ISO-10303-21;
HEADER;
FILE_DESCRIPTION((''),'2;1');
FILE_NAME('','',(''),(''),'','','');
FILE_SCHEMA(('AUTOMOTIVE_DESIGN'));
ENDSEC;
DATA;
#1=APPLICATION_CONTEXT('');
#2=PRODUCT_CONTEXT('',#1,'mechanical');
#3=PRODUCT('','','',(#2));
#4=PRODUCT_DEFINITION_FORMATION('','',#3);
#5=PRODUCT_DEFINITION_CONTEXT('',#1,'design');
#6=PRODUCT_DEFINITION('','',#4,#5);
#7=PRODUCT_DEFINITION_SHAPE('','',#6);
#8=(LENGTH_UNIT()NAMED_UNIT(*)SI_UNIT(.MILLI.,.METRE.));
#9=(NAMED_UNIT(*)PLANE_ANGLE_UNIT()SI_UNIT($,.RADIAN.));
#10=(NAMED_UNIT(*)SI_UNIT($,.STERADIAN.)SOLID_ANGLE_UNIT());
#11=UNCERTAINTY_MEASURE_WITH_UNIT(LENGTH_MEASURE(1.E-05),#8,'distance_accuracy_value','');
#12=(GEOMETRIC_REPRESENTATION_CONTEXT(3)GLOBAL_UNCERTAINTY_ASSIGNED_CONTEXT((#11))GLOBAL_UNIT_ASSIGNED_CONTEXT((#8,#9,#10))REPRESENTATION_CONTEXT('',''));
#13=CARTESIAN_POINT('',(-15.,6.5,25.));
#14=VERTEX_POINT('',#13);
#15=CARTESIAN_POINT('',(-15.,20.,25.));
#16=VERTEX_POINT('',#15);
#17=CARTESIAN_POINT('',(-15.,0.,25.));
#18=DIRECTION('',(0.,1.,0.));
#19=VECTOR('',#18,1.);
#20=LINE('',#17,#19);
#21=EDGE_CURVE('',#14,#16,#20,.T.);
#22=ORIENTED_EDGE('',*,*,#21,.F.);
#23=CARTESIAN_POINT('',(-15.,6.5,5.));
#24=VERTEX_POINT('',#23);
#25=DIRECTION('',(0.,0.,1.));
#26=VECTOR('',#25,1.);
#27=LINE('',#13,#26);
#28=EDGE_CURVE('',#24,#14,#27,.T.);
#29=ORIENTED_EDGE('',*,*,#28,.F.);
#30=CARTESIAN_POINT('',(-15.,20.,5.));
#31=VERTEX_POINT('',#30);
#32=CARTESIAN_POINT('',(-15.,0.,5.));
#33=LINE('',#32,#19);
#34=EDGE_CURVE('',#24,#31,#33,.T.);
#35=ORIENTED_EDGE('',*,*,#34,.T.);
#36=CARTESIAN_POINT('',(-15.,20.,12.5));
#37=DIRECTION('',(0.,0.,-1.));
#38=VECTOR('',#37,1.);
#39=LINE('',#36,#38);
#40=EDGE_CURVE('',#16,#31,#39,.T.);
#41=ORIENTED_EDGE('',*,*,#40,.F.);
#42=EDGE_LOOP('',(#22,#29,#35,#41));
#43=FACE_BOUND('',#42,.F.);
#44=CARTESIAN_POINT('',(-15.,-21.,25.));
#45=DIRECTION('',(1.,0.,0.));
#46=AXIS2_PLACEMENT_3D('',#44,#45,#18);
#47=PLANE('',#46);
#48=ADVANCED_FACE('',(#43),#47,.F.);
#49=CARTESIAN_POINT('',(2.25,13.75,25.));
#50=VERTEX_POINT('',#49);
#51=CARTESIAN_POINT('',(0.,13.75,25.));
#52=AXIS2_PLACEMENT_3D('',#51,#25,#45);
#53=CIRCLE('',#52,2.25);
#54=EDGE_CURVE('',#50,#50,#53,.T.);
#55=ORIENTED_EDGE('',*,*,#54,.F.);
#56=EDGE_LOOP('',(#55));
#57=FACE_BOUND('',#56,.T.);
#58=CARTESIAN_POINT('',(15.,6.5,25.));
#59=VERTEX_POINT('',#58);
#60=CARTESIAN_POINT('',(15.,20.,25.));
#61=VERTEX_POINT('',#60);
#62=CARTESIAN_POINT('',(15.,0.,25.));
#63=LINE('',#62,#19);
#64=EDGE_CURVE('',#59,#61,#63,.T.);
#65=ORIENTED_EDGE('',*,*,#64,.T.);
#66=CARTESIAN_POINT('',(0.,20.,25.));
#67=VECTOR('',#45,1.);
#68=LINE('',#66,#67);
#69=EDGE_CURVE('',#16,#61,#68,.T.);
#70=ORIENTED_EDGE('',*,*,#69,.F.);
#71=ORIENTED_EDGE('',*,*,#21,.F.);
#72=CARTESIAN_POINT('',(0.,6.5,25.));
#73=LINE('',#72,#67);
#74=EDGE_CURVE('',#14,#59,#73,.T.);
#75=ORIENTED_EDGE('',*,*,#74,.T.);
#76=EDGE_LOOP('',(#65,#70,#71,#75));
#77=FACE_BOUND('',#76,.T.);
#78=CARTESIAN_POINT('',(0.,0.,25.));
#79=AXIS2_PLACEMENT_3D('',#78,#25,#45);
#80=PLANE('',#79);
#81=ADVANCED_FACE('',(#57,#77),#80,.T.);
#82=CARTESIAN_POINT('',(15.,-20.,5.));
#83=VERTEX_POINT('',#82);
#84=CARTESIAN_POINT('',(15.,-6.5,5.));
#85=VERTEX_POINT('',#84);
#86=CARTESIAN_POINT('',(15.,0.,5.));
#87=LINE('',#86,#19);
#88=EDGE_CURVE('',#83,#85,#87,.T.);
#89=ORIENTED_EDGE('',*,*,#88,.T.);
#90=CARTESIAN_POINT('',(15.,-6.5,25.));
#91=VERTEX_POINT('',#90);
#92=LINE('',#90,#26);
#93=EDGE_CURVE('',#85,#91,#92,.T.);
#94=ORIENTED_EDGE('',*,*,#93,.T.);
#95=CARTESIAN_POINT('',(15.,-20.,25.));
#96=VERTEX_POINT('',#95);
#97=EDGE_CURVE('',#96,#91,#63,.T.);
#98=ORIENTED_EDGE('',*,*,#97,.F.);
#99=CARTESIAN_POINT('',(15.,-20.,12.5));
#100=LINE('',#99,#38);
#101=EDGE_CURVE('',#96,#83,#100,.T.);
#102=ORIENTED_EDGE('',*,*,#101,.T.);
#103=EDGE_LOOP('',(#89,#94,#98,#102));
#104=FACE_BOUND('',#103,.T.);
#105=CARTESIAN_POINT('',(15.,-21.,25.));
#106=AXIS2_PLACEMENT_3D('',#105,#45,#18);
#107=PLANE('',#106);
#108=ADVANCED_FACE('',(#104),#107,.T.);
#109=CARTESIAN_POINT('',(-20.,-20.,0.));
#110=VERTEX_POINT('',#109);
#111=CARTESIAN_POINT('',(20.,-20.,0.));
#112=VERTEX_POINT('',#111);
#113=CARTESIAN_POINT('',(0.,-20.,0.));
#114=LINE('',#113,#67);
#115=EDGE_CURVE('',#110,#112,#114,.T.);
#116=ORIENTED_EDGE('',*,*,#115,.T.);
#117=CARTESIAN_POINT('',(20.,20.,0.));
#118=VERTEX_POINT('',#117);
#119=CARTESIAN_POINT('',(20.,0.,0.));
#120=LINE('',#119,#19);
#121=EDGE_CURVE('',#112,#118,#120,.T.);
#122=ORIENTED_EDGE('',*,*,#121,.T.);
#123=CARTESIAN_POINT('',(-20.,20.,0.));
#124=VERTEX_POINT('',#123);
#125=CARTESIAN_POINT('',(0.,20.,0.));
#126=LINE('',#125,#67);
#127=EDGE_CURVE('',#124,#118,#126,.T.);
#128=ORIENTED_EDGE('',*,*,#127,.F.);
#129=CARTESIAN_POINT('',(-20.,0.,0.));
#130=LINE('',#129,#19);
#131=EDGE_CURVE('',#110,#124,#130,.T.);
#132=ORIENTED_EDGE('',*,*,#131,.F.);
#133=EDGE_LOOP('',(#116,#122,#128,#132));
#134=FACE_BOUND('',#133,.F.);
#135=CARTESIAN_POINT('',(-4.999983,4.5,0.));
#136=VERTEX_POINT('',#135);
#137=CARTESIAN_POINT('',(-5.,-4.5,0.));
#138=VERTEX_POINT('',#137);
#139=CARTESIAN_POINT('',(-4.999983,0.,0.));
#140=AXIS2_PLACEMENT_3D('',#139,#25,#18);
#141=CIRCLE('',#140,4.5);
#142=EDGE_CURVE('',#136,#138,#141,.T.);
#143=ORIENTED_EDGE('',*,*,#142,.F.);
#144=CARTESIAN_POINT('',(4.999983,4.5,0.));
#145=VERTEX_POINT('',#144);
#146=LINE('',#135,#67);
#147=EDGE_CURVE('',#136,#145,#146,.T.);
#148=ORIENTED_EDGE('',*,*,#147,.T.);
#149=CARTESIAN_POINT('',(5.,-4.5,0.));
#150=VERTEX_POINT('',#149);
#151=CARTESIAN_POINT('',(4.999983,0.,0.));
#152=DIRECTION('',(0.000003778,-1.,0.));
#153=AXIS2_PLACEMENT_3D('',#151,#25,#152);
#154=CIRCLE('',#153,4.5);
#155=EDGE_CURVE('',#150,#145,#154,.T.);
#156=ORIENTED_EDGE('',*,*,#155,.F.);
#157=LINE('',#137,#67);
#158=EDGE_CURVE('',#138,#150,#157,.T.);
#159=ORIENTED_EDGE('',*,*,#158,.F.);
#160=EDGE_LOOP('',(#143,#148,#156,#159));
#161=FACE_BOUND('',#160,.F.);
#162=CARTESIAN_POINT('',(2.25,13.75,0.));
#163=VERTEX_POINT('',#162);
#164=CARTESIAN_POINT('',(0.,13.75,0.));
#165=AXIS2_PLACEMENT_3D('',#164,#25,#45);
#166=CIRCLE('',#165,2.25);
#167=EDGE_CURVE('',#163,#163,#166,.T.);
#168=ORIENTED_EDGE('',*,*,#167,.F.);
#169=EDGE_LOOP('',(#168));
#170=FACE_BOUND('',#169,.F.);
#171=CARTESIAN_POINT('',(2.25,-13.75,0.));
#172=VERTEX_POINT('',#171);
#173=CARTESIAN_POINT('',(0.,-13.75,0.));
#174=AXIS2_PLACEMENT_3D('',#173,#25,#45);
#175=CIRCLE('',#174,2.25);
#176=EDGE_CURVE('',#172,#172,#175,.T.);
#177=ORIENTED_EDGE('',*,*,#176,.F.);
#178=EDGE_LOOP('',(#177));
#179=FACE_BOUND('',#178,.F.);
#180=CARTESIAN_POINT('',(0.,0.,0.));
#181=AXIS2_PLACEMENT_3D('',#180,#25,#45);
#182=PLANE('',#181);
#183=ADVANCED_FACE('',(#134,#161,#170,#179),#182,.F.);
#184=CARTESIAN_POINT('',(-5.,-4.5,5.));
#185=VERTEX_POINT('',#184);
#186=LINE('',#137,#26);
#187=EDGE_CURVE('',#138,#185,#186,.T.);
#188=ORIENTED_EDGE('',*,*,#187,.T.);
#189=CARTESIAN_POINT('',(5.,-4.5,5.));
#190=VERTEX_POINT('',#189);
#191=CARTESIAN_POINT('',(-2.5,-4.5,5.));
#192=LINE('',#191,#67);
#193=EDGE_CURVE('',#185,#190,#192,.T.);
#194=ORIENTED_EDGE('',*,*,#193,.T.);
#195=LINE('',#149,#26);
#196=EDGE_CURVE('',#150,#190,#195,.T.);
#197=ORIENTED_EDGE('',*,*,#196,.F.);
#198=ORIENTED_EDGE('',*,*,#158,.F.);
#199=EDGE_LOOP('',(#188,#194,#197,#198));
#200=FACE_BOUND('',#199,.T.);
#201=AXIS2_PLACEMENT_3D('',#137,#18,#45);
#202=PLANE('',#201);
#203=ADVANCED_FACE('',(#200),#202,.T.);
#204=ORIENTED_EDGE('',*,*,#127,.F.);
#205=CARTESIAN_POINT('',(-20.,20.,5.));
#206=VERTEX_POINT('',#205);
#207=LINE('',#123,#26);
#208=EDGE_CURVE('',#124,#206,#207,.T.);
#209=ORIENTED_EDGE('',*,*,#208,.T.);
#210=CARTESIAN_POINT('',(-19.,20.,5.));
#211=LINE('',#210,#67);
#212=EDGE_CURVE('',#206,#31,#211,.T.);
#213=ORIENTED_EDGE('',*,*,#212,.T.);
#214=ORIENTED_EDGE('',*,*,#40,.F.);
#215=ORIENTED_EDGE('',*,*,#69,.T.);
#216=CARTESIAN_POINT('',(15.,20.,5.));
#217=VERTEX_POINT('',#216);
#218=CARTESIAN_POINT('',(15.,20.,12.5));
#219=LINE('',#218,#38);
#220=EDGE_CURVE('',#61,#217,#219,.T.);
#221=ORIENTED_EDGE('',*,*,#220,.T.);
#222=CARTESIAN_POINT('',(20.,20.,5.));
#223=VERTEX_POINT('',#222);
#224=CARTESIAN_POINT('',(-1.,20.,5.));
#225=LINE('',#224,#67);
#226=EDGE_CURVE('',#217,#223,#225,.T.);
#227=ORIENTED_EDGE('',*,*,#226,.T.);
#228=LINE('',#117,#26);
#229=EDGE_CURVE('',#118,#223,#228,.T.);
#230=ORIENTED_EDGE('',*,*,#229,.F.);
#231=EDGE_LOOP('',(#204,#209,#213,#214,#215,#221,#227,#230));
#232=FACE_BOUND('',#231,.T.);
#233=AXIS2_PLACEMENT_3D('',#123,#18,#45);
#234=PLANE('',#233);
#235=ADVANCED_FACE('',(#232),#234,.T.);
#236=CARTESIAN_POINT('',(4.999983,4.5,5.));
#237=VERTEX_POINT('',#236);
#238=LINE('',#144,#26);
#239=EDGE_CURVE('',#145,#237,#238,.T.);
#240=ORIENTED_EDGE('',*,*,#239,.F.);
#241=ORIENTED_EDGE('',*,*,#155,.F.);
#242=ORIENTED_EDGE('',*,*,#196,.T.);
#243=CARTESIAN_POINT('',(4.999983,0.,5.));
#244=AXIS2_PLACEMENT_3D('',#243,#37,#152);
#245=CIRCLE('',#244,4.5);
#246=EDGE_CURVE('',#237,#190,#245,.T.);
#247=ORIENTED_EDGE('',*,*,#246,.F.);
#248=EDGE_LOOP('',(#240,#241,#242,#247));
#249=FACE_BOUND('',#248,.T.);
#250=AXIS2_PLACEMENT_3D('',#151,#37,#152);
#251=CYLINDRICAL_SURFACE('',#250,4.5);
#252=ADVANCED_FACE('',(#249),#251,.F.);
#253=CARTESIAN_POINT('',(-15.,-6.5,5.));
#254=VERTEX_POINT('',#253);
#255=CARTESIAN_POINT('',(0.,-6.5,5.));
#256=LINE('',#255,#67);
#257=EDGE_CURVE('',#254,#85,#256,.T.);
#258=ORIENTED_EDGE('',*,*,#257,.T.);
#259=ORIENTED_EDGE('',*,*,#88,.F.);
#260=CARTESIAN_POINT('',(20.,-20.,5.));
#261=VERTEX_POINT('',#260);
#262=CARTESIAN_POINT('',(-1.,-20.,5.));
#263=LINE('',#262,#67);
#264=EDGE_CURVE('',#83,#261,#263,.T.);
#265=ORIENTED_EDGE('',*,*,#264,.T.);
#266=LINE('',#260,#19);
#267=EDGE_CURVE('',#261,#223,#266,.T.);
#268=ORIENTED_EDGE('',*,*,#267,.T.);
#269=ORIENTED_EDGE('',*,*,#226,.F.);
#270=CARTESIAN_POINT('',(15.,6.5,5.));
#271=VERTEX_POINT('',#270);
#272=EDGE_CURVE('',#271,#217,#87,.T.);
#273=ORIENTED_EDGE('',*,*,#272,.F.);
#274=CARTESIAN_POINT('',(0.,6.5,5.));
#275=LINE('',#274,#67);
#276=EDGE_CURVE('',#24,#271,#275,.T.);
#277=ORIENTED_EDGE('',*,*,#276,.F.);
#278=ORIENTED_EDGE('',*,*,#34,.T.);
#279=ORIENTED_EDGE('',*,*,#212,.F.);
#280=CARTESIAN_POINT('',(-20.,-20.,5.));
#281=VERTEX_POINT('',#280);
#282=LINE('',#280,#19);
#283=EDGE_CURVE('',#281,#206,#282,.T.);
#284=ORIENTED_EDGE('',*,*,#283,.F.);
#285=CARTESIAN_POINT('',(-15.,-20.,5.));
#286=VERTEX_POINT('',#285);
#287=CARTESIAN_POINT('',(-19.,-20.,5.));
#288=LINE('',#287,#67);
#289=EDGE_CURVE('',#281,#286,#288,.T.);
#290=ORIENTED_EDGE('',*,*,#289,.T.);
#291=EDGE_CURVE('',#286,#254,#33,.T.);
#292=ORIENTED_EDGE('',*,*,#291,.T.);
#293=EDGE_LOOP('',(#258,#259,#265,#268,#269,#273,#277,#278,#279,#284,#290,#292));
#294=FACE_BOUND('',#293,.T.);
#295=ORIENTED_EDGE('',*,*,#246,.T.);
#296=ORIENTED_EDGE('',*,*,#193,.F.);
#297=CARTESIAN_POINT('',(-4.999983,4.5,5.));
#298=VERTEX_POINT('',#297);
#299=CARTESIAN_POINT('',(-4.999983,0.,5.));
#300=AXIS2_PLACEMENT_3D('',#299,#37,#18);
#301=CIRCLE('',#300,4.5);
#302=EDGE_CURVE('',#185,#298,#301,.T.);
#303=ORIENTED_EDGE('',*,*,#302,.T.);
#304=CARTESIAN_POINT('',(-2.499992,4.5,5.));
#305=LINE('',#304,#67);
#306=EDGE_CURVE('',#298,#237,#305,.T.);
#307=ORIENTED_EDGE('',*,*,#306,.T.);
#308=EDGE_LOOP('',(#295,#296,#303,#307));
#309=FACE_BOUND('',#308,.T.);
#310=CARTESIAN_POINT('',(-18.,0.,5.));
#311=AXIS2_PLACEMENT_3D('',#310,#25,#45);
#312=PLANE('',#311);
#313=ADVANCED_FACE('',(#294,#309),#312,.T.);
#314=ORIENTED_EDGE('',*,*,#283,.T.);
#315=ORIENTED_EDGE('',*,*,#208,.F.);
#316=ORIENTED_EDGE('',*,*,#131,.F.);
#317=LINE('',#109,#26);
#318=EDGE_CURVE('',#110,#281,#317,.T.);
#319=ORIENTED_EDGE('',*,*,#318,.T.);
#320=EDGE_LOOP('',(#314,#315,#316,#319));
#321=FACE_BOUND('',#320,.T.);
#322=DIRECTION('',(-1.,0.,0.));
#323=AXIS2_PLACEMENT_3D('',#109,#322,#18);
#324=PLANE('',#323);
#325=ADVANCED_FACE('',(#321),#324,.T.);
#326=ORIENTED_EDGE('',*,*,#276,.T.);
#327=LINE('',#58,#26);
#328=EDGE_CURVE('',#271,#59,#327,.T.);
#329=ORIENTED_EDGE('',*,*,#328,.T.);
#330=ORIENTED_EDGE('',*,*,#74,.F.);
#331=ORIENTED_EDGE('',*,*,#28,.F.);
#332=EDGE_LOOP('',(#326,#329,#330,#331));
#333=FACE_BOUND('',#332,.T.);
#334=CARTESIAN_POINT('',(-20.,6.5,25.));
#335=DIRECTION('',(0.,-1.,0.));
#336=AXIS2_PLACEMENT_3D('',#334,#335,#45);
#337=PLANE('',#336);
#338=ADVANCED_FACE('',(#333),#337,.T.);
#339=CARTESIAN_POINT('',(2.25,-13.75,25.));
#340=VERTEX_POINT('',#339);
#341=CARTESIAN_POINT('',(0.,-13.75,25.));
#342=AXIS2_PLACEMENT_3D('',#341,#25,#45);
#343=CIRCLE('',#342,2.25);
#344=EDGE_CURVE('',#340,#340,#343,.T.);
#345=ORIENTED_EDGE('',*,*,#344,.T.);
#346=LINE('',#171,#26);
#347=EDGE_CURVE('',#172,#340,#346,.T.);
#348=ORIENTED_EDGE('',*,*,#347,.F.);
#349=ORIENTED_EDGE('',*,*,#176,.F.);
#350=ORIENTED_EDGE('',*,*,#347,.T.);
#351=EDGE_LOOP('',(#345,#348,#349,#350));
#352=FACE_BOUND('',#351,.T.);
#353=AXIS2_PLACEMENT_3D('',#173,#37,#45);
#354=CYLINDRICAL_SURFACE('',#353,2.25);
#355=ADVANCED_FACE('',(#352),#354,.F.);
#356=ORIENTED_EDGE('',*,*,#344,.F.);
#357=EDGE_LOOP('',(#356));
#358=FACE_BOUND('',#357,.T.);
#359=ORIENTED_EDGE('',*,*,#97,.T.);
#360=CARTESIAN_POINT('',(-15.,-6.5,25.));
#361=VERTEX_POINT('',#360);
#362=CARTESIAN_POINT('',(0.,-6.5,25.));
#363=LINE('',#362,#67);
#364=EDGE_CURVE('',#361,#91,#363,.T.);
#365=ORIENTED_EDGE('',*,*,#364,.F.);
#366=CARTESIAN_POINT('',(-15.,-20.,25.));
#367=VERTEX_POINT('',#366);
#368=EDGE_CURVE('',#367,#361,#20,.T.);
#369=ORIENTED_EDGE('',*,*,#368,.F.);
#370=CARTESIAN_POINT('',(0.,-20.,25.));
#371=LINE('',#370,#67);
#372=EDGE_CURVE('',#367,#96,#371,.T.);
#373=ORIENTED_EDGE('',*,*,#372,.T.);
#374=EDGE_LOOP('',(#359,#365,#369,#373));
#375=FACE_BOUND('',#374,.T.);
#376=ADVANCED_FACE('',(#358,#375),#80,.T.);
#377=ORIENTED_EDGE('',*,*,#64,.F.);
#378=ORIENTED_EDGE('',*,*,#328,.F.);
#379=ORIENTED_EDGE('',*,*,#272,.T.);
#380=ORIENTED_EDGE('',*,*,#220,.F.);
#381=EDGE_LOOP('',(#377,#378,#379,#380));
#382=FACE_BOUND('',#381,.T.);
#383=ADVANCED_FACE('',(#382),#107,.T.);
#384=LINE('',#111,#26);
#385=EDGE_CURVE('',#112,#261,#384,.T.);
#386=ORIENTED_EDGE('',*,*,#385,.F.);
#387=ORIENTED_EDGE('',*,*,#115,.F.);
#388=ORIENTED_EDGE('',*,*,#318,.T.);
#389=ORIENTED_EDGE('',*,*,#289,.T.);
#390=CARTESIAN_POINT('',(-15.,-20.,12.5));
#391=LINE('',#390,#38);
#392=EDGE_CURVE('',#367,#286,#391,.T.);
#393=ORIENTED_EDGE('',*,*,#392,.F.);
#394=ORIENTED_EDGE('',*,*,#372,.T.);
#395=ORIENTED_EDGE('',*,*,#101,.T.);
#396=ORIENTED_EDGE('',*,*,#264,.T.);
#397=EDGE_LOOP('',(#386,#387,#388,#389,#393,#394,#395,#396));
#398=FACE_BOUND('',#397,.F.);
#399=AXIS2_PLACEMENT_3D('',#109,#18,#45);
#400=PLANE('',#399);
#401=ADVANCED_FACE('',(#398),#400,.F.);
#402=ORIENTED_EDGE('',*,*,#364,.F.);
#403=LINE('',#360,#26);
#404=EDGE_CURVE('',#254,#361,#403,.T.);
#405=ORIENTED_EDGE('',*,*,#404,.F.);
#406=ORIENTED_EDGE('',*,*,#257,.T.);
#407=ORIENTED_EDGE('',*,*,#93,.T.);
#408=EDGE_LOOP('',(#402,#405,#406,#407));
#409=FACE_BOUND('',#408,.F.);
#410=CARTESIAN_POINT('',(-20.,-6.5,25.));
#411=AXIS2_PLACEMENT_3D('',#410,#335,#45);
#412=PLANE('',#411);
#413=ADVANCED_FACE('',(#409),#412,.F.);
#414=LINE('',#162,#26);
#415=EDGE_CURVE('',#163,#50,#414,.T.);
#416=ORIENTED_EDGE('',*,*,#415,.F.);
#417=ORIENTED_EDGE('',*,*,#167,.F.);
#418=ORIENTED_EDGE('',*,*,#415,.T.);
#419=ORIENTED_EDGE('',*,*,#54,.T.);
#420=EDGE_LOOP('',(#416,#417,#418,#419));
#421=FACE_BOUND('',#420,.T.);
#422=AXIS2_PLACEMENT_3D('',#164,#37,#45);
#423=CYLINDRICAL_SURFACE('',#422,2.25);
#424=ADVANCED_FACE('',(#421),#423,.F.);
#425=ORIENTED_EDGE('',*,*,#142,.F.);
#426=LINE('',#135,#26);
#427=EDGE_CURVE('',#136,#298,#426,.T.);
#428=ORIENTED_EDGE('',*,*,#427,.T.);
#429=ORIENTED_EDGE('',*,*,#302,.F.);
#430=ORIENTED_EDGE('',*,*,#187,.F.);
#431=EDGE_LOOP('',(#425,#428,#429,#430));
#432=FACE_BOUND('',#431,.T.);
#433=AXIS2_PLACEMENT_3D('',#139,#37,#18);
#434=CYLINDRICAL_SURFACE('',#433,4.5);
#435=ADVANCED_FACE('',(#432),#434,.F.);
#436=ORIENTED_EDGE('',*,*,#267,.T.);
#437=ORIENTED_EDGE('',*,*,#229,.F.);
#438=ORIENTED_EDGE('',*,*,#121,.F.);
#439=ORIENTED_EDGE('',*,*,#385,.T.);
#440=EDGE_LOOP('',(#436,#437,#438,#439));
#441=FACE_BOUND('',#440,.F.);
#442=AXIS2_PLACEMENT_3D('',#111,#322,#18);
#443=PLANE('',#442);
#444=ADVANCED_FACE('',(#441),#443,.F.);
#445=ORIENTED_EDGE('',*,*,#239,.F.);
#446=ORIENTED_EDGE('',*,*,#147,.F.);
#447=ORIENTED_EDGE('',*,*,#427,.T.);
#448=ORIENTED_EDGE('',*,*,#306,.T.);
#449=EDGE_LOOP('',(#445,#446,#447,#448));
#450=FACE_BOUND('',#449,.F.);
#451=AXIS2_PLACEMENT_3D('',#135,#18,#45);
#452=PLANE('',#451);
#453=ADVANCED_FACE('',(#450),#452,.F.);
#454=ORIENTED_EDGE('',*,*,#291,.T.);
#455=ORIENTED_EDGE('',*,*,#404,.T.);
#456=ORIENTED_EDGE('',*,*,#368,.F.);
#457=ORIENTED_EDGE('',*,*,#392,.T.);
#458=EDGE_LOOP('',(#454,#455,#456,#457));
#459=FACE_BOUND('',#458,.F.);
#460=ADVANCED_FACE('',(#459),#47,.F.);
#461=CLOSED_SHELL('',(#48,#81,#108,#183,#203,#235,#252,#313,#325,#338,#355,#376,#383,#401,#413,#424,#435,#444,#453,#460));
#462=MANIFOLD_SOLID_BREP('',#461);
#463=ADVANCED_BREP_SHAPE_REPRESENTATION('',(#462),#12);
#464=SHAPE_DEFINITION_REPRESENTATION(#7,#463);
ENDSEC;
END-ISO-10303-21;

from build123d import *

# Parameters (mm, degrees)
SKETCH_W        = 40
SKETCH_H        = 40
SKETCH_R        = 2.25
PAD_DEPTH       = 25
SKETCH001_W     = 40
SKETCH001_H     = 13
POCKET_DEPTH    = 20
SKETCH002_W     = 6
SKETCH002_H     = 42
POCKET001_DEPTH = 20


with BuildPart() as part:
    # Sketch → Pad (new body)
    with BuildSketch(Plane.XY):
        Rectangle(SKETCH_W, SKETCH_H)
        with Locations((0, 13.75)):
            Circle(SKETCH_R, mode=Mode.SUBTRACT)
        with Locations((0, -13.75)):
            Circle(SKETCH_R, mode=Mode.SUBTRACT)
        with BuildLine():
            ThreePointArc((-4.999983, 4.5), (-9.499983, 9e-06), (-5, -4.5))
            Line((-5, -4.5), (5, -4.5))
            ThreePointArc((5, -4.5), (9.499983, 9e-06), (4.999983, 4.5))
            Line((-4.999983, 4.5), (4.999983, 4.5))
        make_face(mode=Mode.SUBTRACT)
    extrude(amount=PAD_DEPTH)

    # Sketch001 → Pocket (cut)
    with BuildSketch(Plane.XY.offset(25)):
        Rectangle(SKETCH001_W, SKETCH001_H)
    extrude(amount=-POCKET_DEPTH, mode=Mode.SUBTRACT)

    # Sketch002 → Pocket001 (cut)
    with BuildSketch(Plane.XY.offset(25)):
        with Locations((-18, 0)):
            Rectangle(SKETCH002_W, SKETCH002_H)
        with Locations((18, 0)):
            Rectangle(SKETCH002_W, SKETCH002_H)
    extrude(amount=-POCKET001_DEPTH, mode=Mode.SUBTRACT)


solid = part.part
